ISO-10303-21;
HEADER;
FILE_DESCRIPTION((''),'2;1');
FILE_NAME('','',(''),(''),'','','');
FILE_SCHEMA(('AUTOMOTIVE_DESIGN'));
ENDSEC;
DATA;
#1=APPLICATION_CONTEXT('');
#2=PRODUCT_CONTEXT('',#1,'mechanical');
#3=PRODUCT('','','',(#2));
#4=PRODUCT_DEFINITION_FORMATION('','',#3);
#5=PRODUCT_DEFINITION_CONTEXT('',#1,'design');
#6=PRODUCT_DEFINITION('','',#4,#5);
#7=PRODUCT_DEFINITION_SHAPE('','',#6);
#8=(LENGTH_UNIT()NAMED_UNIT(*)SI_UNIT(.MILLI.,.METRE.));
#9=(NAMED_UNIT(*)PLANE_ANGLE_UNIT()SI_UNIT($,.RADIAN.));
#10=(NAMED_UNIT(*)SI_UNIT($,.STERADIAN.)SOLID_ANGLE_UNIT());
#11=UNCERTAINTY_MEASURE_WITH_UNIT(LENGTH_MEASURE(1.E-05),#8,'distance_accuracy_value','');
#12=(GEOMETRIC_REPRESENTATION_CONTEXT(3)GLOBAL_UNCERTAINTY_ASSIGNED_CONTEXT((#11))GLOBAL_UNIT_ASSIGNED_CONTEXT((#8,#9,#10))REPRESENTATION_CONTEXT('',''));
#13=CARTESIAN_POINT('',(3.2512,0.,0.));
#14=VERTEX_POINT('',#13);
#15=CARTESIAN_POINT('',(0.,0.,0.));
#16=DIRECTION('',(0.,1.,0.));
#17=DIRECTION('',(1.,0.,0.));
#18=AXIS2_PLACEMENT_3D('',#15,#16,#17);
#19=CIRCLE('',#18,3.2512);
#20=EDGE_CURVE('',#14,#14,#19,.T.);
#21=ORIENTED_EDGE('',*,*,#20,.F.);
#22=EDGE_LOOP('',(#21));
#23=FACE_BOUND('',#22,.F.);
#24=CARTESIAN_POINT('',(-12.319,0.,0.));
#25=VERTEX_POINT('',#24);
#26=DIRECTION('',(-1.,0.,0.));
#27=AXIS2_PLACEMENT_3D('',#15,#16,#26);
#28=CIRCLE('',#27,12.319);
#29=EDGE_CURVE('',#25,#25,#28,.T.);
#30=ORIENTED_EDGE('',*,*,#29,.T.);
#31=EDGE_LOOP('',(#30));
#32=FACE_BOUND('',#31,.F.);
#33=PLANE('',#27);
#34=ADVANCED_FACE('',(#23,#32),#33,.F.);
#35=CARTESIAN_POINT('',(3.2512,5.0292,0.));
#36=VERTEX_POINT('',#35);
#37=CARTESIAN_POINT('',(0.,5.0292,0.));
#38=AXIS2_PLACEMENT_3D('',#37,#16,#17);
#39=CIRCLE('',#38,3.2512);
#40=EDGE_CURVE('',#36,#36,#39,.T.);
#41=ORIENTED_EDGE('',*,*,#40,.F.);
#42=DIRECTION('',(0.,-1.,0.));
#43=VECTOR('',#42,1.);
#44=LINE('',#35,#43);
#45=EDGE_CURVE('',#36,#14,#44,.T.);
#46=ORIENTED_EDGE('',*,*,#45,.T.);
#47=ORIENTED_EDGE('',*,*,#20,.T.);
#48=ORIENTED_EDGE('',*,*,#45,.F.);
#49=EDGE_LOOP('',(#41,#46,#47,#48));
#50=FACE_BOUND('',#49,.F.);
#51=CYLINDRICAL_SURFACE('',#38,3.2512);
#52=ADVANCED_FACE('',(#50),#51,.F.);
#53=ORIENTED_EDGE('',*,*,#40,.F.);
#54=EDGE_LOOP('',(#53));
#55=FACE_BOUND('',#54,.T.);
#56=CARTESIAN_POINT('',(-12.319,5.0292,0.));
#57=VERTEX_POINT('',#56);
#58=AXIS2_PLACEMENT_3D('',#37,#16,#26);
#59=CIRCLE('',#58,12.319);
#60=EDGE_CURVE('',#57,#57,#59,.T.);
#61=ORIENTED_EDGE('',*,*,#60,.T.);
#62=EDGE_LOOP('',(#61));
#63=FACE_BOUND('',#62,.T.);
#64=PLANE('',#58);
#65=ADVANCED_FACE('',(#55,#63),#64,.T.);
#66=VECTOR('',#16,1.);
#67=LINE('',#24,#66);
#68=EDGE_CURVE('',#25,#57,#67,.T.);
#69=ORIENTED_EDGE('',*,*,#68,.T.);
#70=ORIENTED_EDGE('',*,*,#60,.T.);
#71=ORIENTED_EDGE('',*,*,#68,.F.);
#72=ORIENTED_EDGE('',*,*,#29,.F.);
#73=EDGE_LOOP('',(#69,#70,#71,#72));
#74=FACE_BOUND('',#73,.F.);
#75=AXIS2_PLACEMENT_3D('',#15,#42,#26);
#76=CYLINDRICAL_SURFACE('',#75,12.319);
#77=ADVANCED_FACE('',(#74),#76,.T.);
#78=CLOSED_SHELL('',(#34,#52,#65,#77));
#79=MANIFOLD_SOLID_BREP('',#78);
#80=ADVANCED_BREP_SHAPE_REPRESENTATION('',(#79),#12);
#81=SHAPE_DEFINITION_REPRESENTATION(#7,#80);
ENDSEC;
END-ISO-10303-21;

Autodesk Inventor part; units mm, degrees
ref_plane "YZ Plane" through (0, 0, 0) normal (1, 0, 0) x (0, 1, 0)
ref_plane "XZ Plane" through (0, 0, 0) normal (0, 1, 0) x (-1, 0, 0)
ref_plane "XY Plane" through (0, 0, 0) normal (0, 0, 1) x (1, 0, 0)
sketch "Sketch1" plane through (0, 0, 0) normal (0, 1, 0) x (-1, 0, 0)
  circle A0 centre (0, 0) radius 12.319
  dimension "d0" = 24.638
extrude "Extrusion1" add sketch "Sketch1" along normal blind 5.0292
sketch "Sketch2" plane through (0, 5.0292, 0) normal (0, 1, 0) x (1, 0, 0)
  circle A0 centre (0, 0) radius 3.2512
  dimension "d3" = 6.5024
extrude "Extrusion2" cut sketch "Sketch2" against normal blind 5.0292
properties part number "ArmSpacer"
